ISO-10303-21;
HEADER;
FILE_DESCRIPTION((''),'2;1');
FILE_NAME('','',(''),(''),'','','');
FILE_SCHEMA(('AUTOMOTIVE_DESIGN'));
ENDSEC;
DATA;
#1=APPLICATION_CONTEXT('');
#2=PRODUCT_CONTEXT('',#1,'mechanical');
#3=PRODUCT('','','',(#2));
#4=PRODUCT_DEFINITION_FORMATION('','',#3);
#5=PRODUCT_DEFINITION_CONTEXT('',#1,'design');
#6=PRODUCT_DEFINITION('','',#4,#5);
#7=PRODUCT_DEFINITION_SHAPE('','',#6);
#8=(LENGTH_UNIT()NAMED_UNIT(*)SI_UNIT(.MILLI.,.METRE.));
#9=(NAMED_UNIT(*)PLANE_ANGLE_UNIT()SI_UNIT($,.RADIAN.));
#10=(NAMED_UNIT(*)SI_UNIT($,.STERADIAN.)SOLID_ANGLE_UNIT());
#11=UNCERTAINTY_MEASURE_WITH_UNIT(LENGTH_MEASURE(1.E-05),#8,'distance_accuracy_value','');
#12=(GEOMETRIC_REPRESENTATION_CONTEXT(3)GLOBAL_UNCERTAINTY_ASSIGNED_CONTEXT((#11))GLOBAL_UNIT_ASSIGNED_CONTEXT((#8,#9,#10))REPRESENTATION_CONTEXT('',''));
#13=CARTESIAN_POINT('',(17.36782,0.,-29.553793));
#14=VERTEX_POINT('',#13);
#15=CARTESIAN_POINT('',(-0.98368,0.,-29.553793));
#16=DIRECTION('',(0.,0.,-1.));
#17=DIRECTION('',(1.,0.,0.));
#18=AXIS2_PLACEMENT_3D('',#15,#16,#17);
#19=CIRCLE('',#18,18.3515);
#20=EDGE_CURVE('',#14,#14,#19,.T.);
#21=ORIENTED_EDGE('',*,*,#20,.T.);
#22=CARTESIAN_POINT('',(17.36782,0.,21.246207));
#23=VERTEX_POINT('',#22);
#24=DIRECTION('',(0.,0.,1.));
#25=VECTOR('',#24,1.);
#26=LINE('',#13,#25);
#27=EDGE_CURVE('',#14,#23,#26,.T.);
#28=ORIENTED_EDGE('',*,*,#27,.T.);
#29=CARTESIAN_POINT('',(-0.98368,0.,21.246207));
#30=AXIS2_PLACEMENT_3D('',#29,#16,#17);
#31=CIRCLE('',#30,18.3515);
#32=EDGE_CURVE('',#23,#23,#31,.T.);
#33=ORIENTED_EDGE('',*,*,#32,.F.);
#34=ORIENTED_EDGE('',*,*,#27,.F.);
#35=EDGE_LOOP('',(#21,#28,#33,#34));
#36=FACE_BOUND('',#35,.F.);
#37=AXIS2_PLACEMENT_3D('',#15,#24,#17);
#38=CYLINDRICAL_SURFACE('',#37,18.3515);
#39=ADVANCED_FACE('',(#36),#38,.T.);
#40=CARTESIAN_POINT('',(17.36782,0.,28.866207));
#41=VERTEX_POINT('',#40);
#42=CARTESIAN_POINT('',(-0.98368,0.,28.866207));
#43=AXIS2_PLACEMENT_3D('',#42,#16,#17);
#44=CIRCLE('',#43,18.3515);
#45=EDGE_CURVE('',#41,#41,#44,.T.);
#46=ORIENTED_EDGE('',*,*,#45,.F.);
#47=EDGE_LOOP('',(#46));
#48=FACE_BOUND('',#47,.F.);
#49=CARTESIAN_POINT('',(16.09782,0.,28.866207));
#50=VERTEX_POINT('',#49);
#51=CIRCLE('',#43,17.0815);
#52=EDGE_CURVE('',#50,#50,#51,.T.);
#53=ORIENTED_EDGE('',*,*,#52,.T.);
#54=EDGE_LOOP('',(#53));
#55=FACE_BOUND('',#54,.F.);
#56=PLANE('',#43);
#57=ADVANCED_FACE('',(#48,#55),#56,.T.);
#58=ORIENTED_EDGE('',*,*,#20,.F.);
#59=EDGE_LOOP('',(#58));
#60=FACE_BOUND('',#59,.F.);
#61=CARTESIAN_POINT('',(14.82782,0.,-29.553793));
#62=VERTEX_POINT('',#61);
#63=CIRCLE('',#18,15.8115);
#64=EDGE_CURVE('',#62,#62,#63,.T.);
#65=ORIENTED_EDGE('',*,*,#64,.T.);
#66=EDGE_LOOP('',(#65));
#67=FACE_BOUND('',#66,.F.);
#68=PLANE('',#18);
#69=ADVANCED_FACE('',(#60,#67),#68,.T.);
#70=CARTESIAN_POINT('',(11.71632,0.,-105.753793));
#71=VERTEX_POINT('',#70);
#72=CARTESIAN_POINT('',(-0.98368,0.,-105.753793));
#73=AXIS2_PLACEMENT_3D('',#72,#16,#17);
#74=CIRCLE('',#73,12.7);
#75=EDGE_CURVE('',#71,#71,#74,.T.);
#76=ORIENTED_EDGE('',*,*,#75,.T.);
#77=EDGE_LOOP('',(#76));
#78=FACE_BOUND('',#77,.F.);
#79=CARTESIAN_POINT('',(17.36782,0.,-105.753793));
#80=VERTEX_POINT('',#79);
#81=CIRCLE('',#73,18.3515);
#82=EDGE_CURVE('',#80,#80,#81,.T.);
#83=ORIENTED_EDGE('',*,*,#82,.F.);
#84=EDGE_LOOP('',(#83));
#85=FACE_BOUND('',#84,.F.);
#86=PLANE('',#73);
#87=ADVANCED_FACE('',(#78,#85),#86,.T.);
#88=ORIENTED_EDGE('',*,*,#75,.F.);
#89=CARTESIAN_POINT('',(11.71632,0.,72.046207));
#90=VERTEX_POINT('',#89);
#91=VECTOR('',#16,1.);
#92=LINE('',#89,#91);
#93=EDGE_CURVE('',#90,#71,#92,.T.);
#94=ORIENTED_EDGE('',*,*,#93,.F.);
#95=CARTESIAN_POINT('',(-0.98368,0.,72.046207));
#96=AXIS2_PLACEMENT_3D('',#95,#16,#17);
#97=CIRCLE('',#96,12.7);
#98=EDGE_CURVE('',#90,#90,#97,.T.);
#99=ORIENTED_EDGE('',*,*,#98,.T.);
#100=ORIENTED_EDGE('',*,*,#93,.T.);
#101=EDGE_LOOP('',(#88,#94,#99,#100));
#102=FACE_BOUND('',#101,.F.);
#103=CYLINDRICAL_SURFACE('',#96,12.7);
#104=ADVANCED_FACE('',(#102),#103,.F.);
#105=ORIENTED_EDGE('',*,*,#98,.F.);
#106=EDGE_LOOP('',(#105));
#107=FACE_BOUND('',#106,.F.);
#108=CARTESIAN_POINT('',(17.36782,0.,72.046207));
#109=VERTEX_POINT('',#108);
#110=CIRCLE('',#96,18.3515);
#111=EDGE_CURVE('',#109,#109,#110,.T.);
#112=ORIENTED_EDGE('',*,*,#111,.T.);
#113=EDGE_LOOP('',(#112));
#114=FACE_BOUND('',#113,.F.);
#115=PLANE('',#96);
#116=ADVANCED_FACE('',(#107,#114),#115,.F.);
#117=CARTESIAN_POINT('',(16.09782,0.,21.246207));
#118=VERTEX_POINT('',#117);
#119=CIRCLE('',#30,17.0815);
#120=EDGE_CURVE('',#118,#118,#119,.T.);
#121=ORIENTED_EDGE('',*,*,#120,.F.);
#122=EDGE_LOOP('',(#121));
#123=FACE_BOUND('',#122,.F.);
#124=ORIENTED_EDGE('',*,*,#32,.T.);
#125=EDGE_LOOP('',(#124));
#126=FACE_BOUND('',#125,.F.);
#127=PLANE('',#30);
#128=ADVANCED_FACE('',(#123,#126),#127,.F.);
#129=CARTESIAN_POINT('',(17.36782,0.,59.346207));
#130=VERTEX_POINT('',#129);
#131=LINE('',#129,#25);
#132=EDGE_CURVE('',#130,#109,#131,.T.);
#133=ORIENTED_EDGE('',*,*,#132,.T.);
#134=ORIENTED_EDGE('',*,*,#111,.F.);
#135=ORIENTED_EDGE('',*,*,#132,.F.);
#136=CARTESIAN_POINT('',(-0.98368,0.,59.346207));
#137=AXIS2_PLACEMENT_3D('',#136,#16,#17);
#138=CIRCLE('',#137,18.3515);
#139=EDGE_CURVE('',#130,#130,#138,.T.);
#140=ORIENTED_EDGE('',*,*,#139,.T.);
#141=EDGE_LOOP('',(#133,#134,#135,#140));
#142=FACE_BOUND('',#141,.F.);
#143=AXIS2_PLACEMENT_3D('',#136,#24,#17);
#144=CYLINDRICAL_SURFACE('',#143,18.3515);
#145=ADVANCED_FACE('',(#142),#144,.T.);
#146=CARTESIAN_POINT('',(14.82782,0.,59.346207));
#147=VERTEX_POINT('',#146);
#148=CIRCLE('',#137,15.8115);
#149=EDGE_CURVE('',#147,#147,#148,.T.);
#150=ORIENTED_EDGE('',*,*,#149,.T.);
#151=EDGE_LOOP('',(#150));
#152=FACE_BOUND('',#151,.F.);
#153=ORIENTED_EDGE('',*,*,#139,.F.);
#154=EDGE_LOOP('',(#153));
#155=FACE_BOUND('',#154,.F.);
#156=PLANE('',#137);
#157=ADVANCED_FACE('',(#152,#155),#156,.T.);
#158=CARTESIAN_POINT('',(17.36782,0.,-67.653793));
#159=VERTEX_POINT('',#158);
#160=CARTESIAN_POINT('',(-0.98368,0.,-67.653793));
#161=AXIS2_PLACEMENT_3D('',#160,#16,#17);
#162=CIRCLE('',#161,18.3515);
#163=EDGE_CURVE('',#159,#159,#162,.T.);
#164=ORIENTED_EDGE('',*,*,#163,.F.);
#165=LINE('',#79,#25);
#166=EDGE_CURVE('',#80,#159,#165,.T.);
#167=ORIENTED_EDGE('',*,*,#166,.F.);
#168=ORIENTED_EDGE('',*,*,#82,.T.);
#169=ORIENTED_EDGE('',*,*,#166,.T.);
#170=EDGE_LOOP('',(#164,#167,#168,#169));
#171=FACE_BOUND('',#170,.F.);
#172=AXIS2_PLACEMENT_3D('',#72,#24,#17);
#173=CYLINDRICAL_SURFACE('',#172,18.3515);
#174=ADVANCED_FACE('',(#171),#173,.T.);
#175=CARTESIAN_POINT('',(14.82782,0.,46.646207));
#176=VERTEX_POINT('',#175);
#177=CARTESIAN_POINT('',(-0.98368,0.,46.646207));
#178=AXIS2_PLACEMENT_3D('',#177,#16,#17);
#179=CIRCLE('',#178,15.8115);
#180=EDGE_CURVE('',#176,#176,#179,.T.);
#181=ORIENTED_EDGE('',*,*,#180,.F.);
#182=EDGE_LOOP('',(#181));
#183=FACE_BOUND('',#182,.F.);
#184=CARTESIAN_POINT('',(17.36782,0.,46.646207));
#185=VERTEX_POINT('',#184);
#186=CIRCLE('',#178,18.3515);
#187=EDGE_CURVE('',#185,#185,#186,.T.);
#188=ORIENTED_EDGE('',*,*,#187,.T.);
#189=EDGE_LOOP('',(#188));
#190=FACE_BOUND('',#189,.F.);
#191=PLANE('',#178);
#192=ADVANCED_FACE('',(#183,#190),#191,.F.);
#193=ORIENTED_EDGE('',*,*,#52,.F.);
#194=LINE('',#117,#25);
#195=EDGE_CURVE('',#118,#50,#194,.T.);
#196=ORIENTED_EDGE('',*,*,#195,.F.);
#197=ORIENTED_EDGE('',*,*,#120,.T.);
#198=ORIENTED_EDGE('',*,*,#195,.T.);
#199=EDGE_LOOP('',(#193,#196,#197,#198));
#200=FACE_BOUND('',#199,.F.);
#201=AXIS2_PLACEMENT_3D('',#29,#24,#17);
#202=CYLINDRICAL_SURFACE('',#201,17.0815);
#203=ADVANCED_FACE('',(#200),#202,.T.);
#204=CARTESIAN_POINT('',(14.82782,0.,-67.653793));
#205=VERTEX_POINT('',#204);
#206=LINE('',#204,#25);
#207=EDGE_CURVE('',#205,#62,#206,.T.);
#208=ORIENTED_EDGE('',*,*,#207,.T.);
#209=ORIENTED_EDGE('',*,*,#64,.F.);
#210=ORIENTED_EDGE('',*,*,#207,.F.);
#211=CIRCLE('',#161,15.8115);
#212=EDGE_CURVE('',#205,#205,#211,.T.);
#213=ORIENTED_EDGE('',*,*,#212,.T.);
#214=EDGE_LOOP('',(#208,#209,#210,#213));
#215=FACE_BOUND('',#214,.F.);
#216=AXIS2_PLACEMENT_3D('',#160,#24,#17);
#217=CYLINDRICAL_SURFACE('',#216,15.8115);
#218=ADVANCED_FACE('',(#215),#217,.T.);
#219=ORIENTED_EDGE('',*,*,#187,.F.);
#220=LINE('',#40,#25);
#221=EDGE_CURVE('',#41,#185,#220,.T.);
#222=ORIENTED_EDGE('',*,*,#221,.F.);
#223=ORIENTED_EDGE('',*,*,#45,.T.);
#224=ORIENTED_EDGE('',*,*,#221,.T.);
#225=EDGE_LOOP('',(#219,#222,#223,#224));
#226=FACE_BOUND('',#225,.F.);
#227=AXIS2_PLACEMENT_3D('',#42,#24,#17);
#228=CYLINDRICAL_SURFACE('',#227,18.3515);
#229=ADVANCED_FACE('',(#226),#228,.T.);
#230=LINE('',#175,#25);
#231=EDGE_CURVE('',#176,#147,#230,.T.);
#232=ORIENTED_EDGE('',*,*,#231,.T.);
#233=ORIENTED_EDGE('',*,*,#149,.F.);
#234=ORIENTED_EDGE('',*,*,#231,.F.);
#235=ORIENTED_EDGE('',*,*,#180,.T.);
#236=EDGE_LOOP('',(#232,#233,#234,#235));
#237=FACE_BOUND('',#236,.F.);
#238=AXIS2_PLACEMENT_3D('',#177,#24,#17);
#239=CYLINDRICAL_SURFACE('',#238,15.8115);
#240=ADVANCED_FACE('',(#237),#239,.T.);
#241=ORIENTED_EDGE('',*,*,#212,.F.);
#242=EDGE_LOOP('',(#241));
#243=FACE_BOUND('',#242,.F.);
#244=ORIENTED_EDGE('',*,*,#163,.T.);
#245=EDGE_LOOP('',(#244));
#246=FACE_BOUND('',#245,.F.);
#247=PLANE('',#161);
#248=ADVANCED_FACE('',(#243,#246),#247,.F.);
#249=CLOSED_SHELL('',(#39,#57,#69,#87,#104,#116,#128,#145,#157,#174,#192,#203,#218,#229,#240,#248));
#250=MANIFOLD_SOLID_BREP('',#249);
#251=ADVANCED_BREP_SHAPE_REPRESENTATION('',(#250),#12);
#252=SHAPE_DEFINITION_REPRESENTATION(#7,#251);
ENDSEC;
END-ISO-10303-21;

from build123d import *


with BuildPart() as f1:
    # F0 (on Front) → F1 (revolve)
    with BuildSketch(Plane.XZ):
        Polygon((17.36782, 59.346207), (17.36782, 72.046207), (11.71632, 72.046207), (11.71632, -105.753793), (17.36782, -105.753793), (17.36782, -67.653793), (14.82782, -67.653793), (14.82782, -29.553793), (17.36782, -29.553793), (17.36782, 21.246207), (16.09782, 21.246207), (16.09782, 28.866207), (17.36782, 28.866207), (17.36782, 46.646207), (14.82782, 46.646207), (14.82782, 59.346207), align=None)
    revolve(axis=Axis((-0.98368, 0, 0), (0, 0, -1)))


solid = f1.part
